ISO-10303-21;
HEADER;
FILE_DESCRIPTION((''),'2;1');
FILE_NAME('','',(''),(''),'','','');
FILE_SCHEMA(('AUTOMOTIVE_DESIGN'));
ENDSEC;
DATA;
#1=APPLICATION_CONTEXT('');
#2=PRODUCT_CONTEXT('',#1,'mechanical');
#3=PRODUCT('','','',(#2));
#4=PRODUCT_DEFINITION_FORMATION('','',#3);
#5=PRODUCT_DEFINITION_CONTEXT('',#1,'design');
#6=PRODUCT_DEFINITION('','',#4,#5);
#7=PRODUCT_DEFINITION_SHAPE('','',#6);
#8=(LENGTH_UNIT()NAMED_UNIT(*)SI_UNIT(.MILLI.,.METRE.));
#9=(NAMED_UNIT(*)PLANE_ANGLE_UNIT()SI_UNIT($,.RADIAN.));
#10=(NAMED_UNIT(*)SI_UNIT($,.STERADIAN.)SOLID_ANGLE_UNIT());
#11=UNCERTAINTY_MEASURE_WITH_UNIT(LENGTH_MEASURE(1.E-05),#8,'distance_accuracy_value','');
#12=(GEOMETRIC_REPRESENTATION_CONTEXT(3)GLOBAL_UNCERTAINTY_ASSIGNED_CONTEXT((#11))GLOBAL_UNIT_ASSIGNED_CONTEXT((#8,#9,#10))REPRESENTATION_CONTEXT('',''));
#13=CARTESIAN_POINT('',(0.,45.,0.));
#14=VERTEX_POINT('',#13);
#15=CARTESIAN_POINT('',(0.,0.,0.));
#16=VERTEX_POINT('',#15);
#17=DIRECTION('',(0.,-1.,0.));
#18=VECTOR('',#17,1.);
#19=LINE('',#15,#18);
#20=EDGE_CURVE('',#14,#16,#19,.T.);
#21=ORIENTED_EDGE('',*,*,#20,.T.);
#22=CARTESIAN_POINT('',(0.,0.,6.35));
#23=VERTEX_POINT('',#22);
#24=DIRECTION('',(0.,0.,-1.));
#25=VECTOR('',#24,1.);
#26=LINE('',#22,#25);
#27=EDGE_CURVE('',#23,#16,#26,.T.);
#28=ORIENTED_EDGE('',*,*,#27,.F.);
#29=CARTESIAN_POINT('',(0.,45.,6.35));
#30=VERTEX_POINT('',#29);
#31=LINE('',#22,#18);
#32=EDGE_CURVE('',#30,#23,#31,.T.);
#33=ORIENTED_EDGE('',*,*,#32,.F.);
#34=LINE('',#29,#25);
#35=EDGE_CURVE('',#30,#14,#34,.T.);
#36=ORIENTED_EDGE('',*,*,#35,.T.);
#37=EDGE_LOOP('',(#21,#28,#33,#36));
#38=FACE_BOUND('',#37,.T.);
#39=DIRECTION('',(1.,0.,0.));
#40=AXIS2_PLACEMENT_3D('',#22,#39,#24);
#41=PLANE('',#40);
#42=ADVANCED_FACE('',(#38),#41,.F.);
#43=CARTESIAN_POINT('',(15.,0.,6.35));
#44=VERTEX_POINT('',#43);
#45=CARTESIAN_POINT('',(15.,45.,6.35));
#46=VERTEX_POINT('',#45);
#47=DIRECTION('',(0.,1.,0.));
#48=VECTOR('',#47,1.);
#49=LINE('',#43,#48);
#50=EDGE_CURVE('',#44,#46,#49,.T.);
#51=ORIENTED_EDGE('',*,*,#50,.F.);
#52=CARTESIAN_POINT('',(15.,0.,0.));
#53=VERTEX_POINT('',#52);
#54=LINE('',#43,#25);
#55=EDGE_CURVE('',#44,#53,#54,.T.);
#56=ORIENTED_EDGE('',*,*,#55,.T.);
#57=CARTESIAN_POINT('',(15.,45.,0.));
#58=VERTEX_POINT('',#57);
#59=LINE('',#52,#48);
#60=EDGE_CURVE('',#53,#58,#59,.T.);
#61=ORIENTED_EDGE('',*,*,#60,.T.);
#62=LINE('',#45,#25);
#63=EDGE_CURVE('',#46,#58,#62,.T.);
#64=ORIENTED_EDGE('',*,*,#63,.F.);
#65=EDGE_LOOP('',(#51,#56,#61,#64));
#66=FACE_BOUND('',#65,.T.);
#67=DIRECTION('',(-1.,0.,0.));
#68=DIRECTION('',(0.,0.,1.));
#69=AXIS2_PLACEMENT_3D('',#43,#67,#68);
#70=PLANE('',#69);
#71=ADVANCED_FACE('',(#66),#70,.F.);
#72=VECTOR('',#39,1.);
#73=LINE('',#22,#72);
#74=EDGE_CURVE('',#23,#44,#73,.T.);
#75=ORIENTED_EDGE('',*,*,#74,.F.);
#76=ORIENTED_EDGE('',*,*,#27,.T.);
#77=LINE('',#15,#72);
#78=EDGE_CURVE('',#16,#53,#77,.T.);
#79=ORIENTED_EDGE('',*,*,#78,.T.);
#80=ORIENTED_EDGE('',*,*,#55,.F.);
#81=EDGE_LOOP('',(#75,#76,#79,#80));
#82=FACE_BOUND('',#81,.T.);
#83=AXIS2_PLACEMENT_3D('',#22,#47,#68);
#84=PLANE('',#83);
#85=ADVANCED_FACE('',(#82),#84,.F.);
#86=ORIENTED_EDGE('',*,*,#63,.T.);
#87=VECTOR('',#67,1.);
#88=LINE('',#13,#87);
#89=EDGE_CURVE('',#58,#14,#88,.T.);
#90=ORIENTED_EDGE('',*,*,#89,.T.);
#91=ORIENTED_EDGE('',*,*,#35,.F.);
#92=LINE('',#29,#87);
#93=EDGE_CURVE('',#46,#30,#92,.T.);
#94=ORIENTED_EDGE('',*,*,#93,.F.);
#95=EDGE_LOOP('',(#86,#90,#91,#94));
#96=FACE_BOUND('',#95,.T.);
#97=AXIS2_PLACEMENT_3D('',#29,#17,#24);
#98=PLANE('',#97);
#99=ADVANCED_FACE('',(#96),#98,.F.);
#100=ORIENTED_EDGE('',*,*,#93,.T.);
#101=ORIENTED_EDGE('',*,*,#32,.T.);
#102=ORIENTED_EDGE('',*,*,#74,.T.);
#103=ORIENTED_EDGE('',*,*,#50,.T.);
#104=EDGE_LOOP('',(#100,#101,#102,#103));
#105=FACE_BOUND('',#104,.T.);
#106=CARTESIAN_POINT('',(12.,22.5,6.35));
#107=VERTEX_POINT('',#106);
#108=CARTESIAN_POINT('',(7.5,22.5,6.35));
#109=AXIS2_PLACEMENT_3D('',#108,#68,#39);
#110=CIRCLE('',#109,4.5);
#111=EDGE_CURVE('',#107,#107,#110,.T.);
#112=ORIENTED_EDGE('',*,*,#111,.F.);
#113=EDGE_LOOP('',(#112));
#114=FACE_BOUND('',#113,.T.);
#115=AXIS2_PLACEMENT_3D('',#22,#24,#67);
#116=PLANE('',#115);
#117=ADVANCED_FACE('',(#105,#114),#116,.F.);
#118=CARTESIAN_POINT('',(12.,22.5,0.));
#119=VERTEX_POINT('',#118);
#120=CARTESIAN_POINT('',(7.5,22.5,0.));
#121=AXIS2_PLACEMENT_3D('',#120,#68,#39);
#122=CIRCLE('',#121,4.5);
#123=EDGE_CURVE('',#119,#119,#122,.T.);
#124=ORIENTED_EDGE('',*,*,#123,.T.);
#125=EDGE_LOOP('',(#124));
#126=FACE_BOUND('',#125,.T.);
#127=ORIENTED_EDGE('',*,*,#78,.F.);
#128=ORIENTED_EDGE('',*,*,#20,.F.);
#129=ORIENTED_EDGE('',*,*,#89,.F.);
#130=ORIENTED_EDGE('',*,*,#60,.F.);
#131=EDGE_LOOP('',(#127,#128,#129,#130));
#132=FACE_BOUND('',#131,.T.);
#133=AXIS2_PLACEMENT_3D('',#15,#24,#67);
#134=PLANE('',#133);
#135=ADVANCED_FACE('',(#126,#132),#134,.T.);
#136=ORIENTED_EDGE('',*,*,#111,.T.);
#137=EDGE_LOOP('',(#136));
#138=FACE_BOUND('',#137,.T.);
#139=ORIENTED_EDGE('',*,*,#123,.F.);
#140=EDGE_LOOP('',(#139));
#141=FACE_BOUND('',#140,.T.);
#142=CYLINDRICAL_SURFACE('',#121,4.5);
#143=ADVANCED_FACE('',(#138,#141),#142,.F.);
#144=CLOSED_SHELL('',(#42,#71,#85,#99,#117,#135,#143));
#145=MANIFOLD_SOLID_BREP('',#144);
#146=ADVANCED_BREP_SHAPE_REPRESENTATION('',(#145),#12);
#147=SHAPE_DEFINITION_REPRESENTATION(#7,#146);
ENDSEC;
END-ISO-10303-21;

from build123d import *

# Parameters (mm, degrees)
SKETCH1_W           = 15
SKETCH1_H           = 45
BOSS_EXTRUDE1_DEPTH = 6.35
SKETCH3_R           = 4.5
CUT_EXTRUDE1_DEPTH  = 7.35


with BuildPart() as part:
    # Sketch1 → Boss-Extrude1 (new body)
    with BuildSketch(Plane.XY):
        with Locations((7.5, 22.5)):
            Rectangle(SKETCH1_W, SKETCH1_H)
    extrude(amount=BOSS_EXTRUDE1_DEPTH)

    # Sketch3 → Cut-Extrude1 (cut, through all)
    with BuildSketch(Plane.XY.offset(6.35)):
        with Locations((7.5, 22.5)):
            Circle(SKETCH3_R)
    extrude(amount=-CUT_EXTRUDE1_DEPTH, mode=Mode.SUBTRACT)


solid = part.part
